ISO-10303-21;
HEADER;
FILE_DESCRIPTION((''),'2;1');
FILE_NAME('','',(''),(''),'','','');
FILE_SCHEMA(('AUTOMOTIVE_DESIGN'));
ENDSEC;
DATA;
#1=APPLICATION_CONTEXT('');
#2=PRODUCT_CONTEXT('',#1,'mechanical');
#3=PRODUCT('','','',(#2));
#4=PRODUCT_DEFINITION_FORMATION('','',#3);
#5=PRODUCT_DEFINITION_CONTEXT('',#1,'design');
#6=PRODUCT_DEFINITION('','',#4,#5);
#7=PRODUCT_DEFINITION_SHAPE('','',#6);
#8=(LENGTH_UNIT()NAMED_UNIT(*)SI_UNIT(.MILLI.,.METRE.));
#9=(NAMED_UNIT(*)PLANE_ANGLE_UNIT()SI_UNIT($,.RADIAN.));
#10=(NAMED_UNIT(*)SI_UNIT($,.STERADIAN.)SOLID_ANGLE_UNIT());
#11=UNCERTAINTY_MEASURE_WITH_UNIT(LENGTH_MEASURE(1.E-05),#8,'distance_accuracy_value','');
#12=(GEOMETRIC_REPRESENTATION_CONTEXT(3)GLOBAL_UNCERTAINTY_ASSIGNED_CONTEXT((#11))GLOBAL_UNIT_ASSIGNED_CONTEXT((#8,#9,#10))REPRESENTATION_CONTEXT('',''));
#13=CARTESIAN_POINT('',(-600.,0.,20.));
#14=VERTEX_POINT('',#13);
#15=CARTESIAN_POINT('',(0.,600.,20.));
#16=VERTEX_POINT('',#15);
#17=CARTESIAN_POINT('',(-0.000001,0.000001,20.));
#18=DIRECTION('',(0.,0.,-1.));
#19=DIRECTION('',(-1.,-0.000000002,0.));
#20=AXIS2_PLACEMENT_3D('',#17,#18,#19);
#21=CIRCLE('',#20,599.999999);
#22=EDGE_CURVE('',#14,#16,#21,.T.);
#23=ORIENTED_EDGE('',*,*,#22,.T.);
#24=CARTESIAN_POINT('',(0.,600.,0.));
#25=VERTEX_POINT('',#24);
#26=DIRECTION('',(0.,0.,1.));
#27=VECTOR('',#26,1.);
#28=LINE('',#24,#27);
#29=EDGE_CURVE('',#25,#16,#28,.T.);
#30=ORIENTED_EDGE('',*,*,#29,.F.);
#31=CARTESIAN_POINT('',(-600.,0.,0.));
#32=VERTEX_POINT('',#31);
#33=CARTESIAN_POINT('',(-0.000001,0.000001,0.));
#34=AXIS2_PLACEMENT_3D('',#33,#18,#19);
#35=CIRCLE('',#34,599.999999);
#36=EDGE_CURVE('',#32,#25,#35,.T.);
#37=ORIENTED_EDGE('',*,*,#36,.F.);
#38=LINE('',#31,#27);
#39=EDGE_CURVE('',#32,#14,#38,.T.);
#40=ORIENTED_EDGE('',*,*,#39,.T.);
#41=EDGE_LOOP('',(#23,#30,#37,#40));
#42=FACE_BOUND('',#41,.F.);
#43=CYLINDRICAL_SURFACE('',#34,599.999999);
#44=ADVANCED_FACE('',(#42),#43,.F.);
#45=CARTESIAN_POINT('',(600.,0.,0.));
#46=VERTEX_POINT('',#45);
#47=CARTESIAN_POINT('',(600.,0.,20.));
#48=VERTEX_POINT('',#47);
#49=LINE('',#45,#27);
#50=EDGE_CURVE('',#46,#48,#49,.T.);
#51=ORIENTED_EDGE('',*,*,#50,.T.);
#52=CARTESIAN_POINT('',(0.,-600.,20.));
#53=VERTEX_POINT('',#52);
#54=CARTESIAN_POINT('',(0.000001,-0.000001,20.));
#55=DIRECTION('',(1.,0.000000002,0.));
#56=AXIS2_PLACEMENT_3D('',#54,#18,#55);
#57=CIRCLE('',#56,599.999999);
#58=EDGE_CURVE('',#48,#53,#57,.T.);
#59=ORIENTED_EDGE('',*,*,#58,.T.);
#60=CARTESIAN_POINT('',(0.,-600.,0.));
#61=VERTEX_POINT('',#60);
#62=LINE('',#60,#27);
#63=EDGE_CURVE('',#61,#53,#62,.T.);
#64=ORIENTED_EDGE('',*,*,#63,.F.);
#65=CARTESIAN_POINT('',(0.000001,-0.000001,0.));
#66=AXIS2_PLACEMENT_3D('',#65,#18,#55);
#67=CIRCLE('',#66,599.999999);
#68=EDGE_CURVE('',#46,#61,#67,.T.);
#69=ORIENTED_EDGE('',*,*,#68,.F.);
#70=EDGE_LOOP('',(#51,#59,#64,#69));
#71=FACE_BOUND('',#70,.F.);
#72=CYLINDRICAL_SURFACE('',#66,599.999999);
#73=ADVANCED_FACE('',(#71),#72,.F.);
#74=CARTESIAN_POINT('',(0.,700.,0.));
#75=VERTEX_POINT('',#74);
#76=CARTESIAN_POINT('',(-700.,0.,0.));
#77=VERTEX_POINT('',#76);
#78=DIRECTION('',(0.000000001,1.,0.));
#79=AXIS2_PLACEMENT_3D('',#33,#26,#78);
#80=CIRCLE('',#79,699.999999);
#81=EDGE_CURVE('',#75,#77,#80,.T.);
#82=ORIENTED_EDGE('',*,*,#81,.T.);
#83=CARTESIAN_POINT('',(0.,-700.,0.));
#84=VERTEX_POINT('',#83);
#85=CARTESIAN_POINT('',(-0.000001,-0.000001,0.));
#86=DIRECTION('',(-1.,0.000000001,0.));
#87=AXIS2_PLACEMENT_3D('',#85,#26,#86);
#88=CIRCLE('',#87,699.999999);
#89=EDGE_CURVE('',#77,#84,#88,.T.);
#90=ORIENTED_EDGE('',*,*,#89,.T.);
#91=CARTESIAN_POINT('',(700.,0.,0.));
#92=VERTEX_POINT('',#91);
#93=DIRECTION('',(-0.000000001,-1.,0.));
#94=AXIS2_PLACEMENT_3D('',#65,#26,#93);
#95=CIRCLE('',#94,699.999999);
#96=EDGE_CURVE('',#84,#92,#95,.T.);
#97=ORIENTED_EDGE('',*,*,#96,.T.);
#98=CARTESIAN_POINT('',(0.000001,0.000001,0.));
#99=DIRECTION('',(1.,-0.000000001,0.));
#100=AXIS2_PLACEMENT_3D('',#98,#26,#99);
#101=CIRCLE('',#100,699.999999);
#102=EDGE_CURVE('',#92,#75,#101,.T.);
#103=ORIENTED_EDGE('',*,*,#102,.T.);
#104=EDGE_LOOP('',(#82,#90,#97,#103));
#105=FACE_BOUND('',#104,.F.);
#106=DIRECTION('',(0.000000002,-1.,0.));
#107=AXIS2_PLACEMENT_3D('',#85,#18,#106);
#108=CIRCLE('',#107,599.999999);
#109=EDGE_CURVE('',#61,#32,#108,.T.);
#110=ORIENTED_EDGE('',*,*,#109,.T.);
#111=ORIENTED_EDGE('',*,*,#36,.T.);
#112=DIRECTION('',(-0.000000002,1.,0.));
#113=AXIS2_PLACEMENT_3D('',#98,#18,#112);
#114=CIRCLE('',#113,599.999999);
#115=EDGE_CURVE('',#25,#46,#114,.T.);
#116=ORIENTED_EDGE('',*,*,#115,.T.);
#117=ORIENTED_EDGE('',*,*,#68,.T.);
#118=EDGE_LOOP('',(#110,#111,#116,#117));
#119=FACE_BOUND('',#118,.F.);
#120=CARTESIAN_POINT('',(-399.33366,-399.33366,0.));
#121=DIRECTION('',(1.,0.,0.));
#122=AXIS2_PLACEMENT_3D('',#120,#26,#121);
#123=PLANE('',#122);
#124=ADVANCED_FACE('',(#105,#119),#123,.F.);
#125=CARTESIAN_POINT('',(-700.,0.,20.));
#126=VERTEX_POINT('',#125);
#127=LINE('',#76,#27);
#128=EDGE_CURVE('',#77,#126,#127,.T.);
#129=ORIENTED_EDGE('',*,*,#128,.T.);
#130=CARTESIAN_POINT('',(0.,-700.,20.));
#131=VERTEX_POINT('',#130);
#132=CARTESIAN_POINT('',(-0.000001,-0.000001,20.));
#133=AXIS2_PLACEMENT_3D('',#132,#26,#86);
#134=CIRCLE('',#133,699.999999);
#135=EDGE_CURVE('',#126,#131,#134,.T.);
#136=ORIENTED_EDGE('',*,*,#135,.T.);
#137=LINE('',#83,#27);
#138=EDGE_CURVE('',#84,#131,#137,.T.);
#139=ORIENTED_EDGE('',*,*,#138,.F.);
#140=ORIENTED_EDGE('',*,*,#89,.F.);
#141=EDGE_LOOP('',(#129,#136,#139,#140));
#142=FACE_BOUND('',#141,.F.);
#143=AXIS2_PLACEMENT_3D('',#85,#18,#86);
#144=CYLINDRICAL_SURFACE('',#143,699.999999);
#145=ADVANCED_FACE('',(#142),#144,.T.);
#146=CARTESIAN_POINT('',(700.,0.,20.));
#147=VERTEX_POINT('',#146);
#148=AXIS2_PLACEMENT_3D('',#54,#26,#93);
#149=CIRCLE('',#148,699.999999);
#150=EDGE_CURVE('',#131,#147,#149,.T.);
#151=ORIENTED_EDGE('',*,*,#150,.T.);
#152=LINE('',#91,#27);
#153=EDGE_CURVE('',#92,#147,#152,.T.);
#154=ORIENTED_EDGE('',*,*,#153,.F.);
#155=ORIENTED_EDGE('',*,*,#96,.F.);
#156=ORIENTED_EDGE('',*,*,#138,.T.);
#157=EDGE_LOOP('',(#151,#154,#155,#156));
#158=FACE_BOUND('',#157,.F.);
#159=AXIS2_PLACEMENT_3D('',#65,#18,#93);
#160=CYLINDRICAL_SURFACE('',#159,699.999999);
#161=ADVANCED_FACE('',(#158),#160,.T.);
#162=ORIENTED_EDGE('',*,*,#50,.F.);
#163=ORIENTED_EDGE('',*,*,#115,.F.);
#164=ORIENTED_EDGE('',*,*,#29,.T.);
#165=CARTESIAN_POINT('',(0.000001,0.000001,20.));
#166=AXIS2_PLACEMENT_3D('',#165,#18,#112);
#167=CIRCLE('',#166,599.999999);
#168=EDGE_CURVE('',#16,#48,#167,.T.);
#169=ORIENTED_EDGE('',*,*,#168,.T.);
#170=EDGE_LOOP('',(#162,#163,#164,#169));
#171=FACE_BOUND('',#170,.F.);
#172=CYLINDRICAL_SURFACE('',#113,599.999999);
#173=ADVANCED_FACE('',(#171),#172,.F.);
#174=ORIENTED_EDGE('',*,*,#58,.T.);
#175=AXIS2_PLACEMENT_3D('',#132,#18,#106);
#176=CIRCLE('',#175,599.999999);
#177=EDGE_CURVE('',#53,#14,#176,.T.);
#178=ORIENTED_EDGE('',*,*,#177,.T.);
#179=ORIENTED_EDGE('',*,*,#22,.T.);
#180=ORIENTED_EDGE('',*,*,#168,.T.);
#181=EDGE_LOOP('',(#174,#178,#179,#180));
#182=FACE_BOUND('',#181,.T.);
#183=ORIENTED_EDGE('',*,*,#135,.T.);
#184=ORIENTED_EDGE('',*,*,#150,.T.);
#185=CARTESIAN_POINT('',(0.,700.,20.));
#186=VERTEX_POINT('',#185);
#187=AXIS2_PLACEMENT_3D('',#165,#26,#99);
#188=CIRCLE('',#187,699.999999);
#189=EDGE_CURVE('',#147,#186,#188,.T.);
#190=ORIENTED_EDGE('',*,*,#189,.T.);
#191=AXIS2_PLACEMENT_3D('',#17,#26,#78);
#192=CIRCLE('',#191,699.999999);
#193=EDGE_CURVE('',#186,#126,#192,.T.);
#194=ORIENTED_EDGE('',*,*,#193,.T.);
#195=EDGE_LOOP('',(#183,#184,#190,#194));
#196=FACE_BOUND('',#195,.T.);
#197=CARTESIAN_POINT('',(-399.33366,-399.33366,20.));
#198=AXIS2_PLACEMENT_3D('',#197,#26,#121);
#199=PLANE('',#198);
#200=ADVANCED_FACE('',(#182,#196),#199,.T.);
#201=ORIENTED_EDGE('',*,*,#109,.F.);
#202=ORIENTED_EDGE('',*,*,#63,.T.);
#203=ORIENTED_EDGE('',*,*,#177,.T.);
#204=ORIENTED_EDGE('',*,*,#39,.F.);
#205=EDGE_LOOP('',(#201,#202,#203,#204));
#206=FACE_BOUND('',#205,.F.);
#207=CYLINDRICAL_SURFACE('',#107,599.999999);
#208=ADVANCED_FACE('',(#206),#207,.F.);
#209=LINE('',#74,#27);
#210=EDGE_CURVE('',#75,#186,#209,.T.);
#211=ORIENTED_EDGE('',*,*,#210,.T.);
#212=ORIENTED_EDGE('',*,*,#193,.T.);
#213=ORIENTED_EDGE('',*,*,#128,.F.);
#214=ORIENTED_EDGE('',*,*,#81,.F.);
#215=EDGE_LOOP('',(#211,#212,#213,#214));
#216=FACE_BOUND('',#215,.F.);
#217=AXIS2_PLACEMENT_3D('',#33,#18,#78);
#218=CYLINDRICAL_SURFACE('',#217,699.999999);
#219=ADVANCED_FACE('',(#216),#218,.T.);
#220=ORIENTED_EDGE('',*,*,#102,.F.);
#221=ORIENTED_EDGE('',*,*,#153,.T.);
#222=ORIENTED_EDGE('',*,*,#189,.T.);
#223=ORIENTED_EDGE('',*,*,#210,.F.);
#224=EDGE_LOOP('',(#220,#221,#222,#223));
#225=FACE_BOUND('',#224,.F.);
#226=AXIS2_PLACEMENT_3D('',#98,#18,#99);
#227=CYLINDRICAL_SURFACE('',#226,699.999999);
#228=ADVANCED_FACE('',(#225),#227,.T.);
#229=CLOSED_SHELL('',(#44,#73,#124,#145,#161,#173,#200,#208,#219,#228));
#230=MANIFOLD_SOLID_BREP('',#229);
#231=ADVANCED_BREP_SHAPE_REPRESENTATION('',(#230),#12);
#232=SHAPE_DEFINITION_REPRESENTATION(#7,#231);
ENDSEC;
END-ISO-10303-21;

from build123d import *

# Parameters (mm, degrees)
F1_DEPTH = 20


with BuildPart() as f1:
    # F0 (on Top) → F1 (new body)
    with BuildSketch(Plane.XY):
        with BuildLine():
            ThreePointArc((0, -600), (-424.264069, -424.264069), (-600, 0))
            Line((-600, 0), (-700, 0))
            ThreePointArc((-700, 0), (-494.974747, -494.974747), (0, -700))
            Line((0, -700), (0, -600))
        make_face()
        with BuildLine():
            Line((-700, 0), (-600, 0))
            ThreePointArc((-600, 0), (-424.264069, 424.264069), (0, 600))
            Line((0, 600), (0, 700))
            ThreePointArc((0, 700), (-494.974747, 494.974747), (-700, 0))
        make_face()
        with BuildLine():
            ThreePointArc((600, 0), (424.264069, -424.264069), (0, -600))
            Line((0, -600), (0, -700))
            ThreePointArc((0, -700), (494.974747, -494.974747), (700, 0))
            Line((700, 0), (600, 0))
        make_face()
        with BuildLine():
            Line((0, 700), (0, 600))
            ThreePointArc((0, 600), (424.264069, 424.264069), (600, 0))
            Line((600, 0), (700, 0))
            ThreePointArc((700, 0), (494.974747, 494.974747), (0, 700))
        make_face()
    extrude(amount=F1_DEPTH)


solid = f1.part
